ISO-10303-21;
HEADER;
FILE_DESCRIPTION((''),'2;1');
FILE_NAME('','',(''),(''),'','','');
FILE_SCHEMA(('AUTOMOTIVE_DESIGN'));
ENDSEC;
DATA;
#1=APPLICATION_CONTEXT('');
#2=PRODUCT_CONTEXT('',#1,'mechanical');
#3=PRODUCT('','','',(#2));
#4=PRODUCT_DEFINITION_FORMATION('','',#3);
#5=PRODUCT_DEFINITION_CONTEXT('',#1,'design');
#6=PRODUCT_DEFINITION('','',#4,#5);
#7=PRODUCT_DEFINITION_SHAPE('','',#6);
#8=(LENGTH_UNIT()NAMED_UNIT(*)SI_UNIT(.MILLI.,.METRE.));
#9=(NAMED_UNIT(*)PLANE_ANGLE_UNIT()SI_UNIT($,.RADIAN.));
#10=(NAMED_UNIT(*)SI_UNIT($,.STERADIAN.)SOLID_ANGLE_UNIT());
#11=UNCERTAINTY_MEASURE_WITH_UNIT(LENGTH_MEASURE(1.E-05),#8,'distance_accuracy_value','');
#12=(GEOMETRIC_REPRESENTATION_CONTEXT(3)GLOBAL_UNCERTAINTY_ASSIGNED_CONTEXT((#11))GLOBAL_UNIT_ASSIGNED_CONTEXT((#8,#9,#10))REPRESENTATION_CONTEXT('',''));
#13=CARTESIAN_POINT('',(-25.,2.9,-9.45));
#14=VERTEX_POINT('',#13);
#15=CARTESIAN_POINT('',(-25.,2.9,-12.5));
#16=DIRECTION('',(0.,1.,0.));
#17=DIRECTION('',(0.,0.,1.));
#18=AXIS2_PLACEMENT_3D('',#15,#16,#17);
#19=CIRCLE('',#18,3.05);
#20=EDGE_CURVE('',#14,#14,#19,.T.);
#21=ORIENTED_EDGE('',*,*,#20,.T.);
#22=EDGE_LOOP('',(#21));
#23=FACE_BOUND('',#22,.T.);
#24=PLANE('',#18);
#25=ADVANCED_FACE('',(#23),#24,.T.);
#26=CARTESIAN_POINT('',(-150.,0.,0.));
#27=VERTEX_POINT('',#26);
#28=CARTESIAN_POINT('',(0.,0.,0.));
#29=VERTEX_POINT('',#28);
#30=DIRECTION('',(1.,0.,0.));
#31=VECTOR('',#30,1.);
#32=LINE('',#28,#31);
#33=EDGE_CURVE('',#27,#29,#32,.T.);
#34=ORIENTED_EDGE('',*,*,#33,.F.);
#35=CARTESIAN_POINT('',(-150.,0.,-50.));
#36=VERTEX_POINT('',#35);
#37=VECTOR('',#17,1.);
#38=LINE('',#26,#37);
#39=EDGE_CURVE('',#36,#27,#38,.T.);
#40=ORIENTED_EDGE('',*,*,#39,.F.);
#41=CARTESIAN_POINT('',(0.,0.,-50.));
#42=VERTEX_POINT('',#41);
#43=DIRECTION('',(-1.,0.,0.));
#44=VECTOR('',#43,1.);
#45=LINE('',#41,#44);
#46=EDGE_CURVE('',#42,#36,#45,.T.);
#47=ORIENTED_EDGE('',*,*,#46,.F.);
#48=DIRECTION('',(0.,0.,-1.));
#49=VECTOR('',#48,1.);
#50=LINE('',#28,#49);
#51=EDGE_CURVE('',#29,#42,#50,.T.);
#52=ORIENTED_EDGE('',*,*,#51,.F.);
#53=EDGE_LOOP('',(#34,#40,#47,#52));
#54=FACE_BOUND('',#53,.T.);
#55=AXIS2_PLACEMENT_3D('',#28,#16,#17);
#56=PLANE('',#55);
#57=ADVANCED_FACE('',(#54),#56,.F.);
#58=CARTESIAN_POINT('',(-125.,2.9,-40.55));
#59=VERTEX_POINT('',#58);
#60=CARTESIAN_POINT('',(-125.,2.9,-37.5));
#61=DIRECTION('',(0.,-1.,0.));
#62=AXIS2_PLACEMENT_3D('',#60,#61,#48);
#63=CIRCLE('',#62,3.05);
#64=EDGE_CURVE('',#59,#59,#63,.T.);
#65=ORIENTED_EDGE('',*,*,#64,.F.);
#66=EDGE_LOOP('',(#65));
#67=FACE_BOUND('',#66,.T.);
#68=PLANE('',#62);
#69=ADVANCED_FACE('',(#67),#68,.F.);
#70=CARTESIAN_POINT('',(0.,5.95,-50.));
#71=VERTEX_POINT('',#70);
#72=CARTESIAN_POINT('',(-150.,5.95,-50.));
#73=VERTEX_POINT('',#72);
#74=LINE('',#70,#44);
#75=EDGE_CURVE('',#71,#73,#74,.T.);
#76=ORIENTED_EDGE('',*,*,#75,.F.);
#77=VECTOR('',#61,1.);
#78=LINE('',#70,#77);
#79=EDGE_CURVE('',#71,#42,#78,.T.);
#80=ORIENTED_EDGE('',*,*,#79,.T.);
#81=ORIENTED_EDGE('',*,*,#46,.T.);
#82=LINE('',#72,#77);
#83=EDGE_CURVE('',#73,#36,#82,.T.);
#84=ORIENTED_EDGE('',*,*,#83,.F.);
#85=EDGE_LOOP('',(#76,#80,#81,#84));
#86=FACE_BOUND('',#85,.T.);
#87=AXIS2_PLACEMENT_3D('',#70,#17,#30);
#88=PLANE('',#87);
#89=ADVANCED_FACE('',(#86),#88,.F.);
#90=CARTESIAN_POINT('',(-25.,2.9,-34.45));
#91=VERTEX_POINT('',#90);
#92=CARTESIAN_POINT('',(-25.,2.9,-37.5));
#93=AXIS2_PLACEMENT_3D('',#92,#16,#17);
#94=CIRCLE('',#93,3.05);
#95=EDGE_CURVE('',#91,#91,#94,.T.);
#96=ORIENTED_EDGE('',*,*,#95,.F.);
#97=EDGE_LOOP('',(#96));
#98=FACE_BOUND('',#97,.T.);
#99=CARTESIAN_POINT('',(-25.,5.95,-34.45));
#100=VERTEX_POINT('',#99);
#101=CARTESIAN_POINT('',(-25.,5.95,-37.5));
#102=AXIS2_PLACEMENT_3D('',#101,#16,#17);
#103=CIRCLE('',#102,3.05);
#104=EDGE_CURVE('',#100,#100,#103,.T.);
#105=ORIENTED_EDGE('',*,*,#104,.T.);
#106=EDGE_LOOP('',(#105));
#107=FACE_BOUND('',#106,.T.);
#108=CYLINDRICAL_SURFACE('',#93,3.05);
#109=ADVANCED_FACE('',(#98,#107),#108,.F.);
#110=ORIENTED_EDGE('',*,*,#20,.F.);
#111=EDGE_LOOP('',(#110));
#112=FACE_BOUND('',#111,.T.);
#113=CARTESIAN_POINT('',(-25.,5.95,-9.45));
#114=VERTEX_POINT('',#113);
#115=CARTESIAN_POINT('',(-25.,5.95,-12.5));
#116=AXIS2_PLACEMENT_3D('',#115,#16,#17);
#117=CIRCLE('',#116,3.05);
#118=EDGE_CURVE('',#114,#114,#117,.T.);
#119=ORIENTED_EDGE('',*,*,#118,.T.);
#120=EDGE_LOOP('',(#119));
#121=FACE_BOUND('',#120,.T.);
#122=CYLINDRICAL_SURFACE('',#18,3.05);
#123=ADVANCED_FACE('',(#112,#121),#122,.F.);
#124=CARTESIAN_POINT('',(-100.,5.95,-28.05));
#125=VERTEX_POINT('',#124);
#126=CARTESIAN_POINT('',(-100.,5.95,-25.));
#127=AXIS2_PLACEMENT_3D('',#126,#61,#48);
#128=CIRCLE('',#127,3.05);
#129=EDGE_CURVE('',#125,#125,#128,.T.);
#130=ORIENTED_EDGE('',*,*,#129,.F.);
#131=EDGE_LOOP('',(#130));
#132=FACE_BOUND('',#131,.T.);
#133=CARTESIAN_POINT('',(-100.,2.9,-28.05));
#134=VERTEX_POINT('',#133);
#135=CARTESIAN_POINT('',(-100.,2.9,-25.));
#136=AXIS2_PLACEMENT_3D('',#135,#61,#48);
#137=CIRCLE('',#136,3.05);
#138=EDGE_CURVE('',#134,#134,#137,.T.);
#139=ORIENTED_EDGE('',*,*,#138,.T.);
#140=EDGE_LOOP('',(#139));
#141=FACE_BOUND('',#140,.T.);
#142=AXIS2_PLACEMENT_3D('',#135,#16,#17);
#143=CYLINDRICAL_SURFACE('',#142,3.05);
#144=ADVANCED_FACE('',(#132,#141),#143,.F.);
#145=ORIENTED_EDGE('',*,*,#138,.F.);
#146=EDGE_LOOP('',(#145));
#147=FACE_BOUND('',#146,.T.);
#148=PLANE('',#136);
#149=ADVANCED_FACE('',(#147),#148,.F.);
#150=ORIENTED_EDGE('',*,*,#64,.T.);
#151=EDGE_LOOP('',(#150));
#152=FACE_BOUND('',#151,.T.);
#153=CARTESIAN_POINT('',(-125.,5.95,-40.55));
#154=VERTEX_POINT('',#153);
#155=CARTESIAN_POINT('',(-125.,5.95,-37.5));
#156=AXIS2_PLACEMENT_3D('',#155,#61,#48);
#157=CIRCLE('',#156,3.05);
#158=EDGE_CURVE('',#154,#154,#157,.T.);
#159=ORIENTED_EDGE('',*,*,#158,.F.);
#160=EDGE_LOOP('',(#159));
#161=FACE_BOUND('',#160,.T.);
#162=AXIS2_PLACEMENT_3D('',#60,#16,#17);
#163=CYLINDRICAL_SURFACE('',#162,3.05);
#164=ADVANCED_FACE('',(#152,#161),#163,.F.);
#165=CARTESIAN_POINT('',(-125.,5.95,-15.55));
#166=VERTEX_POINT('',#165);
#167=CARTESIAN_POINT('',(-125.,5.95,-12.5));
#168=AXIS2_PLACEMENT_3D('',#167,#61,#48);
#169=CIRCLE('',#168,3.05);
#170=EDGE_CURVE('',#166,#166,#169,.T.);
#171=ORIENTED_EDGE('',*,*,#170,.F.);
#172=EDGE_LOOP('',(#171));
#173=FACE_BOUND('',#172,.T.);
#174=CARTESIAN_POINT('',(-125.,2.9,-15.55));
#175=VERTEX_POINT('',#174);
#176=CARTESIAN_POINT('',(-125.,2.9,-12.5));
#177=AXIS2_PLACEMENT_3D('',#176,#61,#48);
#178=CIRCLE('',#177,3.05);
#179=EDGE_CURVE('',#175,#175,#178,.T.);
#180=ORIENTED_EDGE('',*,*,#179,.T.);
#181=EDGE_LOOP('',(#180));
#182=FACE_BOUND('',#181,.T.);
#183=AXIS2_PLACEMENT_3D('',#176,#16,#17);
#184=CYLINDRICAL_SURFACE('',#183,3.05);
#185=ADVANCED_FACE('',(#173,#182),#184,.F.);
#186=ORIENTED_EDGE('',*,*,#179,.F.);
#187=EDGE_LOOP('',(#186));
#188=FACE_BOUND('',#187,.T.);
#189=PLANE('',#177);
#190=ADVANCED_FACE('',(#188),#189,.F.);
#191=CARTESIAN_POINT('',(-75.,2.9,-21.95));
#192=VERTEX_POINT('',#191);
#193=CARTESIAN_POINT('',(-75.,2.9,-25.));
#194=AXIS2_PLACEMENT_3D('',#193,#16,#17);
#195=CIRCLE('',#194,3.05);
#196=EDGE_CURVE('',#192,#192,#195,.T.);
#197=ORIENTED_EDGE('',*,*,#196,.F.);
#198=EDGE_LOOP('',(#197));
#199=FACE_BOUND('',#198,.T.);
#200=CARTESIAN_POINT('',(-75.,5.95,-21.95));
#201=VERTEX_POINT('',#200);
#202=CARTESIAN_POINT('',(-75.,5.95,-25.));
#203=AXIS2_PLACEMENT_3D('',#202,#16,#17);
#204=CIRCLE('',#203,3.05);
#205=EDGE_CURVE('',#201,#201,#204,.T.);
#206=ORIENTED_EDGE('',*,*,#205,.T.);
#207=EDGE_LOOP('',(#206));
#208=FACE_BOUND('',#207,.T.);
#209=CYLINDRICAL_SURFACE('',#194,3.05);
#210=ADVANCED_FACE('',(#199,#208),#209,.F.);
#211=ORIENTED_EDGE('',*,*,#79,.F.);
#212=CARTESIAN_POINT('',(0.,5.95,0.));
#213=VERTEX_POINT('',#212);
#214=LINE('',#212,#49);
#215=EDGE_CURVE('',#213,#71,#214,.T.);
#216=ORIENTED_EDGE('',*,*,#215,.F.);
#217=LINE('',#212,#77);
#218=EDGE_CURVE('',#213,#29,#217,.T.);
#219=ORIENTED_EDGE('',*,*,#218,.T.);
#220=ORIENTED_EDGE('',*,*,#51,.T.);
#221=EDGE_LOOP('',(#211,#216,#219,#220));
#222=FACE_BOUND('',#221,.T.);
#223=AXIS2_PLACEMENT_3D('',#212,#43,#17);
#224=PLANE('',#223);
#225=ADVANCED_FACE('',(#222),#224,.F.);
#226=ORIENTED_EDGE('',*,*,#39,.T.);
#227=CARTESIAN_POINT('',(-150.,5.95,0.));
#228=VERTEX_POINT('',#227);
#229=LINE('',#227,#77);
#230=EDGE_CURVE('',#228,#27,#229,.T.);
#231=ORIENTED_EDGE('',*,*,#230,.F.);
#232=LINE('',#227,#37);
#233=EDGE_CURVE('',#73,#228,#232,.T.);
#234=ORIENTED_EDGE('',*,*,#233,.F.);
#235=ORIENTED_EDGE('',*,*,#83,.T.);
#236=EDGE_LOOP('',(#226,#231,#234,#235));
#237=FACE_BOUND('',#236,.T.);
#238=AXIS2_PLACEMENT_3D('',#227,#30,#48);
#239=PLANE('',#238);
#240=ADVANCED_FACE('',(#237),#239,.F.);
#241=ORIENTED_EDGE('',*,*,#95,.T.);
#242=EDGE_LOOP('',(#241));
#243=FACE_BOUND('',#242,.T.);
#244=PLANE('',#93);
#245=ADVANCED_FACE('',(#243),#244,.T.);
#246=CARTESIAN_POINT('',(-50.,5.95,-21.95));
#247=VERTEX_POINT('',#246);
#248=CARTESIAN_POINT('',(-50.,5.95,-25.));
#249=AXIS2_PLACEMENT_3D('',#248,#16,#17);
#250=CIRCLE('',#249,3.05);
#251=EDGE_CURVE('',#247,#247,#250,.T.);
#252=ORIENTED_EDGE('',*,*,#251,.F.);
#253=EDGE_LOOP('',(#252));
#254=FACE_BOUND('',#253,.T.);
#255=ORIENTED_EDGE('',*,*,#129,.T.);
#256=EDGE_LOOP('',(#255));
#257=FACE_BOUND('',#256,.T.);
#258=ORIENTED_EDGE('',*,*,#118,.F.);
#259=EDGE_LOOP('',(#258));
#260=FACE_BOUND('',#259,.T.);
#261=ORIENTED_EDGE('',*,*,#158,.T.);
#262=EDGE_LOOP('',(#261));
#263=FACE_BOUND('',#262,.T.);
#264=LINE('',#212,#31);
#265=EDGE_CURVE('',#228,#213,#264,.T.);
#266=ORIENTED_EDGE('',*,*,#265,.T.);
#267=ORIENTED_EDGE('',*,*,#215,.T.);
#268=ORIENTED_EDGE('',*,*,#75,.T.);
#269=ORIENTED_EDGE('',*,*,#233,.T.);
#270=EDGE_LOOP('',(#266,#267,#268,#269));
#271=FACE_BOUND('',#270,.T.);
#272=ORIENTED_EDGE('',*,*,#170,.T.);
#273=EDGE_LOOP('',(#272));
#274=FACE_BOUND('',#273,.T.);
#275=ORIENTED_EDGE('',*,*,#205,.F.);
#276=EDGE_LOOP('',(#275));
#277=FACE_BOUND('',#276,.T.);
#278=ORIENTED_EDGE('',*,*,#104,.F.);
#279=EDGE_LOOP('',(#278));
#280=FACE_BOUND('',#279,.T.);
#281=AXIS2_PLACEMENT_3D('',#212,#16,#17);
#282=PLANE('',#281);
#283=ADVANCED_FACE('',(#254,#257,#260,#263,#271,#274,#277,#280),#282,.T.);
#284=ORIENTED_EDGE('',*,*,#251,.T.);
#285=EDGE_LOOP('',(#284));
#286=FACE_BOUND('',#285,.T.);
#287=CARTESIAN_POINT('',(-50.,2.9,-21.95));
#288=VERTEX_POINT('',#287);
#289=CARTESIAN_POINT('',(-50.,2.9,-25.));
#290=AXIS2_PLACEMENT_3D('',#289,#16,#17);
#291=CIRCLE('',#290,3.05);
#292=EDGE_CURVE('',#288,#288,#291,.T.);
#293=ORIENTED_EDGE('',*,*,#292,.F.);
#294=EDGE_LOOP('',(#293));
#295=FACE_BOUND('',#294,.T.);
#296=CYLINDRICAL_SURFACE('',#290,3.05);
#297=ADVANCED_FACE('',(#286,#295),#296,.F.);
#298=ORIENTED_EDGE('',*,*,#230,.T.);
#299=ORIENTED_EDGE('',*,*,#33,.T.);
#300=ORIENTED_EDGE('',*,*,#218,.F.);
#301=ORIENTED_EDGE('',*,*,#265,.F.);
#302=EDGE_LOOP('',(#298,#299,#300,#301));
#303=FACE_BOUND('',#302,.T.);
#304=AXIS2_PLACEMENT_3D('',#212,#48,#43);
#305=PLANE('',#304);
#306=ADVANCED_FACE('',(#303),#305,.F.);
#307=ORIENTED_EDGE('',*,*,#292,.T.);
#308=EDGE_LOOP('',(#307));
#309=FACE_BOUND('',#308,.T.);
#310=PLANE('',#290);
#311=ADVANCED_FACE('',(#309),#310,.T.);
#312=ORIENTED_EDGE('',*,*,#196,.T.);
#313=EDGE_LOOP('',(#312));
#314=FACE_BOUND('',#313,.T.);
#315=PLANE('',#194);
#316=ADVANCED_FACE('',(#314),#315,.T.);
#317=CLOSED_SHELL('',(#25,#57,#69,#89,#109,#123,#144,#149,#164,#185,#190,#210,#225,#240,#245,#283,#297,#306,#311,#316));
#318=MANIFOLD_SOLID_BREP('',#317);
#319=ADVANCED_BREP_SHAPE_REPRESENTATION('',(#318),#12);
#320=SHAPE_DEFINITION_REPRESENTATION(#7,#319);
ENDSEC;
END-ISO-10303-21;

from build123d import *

# Parameters (mm, degrees)
SKETCH1_W           = 150
SKETCH1_H           = 50
BOSS_EXTRUDE1_DEPTH = 5.95
SKETCH2_R           = 3.05
CUT_EXTRUDE1_DEPTH  = 3.05


with BuildPart() as part:
    # Sketch1 → Boss-Extrude1 (new body)
    with BuildSketch(Plane(origin=(0, 0, 0), x_dir=(1, 0, 0), z_dir=(0, 1, 0))):
        with Locations((-75, 25)):
            Rectangle(SKETCH1_W, SKETCH1_H)
    extrude(amount=BOSS_EXTRUDE1_DEPTH)

    # Sketch2 → Cut-Extrude1 (cut)
    with BuildSketch(Plane(origin=(0, 5.95, 0), x_dir=(1, 0, 0), z_dir=(0, 1, 0))):
        with Locations((-25, 37.5)):
            Circle(SKETCH2_R)
        with Locations((-25, 12.5)):
            Circle(SKETCH2_R)
        with Locations((-50, 25)):
            Circle(SKETCH2_R)
        with Locations((-75, 25)):
            Circle(SKETCH2_R)
        with Locations((-100, 25)):
            Circle(SKETCH2_R)
        with Locations((-125, 12.5)):
            Circle(SKETCH2_R)
        with Locations((-125, 37.5)):
            Circle(SKETCH2_R)
    extrude(amount=-CUT_EXTRUDE1_DEPTH, mode=Mode.SUBTRACT)


solid = part.part
